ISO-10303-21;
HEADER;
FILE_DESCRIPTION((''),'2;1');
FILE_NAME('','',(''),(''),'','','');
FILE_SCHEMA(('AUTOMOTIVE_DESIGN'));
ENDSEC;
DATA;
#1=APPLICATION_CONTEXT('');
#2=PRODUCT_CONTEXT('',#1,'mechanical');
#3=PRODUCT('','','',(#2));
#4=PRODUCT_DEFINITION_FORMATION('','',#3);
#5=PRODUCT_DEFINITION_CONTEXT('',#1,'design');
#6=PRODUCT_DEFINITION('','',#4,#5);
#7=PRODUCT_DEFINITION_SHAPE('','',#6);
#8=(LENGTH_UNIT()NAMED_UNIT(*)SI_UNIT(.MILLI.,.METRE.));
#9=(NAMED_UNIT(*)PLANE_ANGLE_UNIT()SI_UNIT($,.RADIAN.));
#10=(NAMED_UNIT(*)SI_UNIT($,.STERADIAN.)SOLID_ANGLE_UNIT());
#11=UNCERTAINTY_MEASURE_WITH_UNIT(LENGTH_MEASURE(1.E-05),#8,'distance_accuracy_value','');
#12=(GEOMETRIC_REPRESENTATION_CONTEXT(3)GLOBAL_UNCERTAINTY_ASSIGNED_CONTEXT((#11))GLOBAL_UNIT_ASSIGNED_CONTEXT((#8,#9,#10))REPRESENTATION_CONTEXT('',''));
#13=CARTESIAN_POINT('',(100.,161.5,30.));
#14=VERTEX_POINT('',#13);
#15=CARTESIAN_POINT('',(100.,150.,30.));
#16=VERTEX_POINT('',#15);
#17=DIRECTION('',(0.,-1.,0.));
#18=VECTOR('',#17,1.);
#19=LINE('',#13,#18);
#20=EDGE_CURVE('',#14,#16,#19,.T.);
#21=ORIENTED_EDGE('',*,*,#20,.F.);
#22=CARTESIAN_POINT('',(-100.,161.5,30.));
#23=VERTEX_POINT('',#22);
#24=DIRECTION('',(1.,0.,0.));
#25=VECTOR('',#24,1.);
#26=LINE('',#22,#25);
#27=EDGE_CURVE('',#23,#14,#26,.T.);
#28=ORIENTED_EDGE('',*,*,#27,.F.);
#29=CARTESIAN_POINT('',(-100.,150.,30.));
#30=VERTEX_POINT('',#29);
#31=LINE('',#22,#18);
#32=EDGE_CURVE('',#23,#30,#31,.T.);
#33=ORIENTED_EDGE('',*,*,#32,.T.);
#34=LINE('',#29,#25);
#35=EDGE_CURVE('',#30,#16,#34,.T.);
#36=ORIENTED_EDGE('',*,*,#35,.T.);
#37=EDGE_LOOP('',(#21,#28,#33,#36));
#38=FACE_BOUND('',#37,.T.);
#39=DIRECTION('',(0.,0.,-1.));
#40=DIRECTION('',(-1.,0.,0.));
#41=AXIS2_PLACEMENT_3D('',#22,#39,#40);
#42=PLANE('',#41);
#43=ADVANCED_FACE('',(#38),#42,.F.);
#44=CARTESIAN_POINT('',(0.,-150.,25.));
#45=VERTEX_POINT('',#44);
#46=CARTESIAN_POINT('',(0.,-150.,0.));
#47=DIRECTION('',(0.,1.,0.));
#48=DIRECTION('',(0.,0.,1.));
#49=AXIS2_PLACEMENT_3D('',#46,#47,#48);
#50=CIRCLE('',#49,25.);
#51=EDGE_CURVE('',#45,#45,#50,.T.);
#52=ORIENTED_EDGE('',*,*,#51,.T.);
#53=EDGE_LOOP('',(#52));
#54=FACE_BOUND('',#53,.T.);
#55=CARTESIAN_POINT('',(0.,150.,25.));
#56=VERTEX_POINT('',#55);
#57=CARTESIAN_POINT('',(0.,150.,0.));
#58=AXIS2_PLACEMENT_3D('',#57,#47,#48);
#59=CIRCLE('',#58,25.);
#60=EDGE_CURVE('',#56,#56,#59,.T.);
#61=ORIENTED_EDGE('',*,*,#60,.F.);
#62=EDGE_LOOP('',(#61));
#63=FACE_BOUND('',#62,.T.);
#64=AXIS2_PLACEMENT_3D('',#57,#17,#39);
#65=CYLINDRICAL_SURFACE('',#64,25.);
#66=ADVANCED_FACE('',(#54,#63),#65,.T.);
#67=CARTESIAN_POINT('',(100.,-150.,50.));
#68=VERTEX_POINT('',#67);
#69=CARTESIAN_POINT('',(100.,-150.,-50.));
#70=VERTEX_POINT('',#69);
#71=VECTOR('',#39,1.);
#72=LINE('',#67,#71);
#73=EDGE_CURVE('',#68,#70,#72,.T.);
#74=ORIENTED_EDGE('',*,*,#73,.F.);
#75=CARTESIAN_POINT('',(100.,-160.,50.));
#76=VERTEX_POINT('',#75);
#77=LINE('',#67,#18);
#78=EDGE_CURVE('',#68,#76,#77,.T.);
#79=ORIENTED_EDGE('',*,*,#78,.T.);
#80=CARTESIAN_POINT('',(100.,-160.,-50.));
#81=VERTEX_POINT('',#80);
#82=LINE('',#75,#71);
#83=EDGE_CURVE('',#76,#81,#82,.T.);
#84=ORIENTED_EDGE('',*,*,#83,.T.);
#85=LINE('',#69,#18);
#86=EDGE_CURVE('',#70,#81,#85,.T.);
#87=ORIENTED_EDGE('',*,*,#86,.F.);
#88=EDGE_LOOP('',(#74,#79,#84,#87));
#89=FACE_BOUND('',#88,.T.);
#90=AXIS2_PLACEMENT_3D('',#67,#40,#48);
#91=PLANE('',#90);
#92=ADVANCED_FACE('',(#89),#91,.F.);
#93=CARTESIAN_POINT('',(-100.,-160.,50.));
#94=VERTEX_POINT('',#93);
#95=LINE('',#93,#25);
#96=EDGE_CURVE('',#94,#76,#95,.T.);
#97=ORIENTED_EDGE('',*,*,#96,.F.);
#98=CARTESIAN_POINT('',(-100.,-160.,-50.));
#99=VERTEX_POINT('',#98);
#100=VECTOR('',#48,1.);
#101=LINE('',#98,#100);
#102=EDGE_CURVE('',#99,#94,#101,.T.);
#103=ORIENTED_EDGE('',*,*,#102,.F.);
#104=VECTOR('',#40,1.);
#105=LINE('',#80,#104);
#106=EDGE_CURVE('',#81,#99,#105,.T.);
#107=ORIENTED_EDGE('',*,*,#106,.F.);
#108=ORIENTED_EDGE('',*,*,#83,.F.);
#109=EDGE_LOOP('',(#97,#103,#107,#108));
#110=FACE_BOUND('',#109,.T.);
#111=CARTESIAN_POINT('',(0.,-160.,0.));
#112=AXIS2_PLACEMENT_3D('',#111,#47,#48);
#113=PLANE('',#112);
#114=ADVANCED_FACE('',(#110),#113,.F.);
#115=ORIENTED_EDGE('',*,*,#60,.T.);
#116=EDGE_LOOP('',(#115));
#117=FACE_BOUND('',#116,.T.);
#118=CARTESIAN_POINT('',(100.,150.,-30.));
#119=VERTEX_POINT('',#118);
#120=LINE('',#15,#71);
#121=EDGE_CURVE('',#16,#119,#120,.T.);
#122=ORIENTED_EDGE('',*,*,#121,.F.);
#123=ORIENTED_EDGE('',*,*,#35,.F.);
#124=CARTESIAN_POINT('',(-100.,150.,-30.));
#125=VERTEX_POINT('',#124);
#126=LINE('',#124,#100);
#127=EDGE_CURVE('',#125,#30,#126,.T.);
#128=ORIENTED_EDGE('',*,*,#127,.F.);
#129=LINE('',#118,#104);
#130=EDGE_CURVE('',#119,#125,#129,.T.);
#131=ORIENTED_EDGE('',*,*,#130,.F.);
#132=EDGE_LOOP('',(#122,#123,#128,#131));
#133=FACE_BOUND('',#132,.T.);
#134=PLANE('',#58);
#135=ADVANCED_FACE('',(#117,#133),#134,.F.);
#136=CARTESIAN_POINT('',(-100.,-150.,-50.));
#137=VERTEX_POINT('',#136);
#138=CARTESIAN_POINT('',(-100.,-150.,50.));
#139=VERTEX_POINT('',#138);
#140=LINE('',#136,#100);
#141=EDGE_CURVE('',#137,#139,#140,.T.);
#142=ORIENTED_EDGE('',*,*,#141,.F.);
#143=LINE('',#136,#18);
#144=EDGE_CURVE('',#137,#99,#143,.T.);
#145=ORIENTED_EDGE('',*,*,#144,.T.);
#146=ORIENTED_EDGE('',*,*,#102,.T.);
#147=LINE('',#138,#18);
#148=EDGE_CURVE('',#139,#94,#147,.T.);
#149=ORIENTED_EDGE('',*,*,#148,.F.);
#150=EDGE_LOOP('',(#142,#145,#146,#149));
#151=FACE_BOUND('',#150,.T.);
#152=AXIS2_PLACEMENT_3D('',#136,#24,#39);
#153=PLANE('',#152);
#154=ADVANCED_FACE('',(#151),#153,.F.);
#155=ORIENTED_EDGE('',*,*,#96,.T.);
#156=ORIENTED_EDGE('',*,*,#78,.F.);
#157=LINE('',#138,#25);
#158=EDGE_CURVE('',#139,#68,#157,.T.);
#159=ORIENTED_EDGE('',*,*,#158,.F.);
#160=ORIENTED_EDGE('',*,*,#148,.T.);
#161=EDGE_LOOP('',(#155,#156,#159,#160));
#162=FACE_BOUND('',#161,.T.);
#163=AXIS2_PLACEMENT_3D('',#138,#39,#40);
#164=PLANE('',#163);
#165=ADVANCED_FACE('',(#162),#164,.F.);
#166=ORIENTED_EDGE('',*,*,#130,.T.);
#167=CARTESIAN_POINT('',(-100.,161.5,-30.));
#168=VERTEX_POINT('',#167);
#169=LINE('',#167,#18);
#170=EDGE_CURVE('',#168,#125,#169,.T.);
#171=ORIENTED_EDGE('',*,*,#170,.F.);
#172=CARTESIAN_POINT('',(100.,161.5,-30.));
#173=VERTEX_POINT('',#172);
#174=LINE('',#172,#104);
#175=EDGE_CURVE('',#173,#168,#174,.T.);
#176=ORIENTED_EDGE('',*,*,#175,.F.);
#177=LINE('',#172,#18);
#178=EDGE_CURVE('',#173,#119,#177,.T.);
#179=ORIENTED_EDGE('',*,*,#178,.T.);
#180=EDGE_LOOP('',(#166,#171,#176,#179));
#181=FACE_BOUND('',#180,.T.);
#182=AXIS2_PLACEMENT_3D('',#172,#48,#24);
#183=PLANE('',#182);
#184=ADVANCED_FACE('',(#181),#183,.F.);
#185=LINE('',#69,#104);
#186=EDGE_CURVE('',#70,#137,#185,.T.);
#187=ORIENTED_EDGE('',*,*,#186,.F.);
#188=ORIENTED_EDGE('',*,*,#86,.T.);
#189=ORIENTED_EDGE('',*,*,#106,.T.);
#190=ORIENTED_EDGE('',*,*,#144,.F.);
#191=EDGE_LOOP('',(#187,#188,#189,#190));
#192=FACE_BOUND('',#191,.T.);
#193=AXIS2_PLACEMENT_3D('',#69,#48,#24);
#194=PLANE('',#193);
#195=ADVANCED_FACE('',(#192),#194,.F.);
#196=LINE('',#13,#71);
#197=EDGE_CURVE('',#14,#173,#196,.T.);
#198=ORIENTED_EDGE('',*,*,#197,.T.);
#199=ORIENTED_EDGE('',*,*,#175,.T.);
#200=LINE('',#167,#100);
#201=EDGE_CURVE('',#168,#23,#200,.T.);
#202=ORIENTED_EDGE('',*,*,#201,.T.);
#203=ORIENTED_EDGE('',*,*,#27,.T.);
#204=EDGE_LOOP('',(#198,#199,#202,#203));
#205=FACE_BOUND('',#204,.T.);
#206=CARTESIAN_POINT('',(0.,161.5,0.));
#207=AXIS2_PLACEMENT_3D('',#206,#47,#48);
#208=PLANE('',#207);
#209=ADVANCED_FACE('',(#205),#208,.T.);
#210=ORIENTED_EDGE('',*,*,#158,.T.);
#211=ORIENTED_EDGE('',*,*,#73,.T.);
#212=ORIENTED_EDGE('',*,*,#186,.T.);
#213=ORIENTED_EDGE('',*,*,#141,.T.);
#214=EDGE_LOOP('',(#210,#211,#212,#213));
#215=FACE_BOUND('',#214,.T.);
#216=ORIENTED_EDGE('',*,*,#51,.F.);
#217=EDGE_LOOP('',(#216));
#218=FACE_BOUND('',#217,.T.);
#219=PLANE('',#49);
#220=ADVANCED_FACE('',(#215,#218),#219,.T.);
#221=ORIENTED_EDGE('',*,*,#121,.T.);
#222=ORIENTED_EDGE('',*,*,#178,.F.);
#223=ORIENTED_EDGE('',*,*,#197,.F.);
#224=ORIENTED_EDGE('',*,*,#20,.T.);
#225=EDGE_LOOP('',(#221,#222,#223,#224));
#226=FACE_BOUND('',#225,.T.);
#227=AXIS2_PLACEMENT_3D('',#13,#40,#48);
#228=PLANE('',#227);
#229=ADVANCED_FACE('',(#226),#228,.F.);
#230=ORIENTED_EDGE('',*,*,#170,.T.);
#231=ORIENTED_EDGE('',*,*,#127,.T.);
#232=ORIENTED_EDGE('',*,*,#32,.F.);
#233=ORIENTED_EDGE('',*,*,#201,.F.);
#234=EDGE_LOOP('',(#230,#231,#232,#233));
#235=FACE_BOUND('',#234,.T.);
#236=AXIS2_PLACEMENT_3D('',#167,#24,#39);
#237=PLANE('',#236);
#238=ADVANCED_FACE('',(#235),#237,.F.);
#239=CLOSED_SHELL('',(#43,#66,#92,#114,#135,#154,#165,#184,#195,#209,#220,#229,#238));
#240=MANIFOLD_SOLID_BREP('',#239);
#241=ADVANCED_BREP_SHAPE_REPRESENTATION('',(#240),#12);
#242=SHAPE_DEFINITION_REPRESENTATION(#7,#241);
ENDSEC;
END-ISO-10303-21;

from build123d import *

# Parameters (mm, degrees)
BASE_START       = -160
SKETCH_6_W       = 200
SKETCH_6_H       = 100
BASE_PLATE_DEPTH = 10
POST_START       = 150
SKETCH_7_R       = 25
POST_DEPTH       = 300
TOP_START        = 150
SKETCH_8_W       = 200
SKETCH_8_H       = 60
TOP_PLATE_DEPTH  = 11.5


with BuildPart() as part:
    # 草图6 → Base Plate (new body)
    with BuildSketch(Plane(origin=(0, 0, 0), x_dir=(1, 0, 0), z_dir=(0, 1, 0)).offset(BASE_START)):
        Rectangle(SKETCH_6_W, SKETCH_6_H)
    extrude(amount=BASE_PLATE_DEPTH)

    # 草图7 → Post (add)
    with BuildSketch(Plane(origin=(0, 0, 0), x_dir=(1, 0, 0), z_dir=(0, 1, 0)).offset(POST_START)):
        with Locations(Location((0, 0, 0), (0, 0, 270))):
            Circle(SKETCH_7_R)
    extrude(amount=-POST_DEPTH)

    # 草图8 → Top Plate (add)
    with BuildSketch(Plane(origin=(0, 0, 0), x_dir=(1, 0, 0), z_dir=(0, 1, 0)).offset(TOP_START)):
        Rectangle(SKETCH_8_W, SKETCH_8_H)
    extrude(amount=TOP_PLATE_DEPTH)


solid = part.part
